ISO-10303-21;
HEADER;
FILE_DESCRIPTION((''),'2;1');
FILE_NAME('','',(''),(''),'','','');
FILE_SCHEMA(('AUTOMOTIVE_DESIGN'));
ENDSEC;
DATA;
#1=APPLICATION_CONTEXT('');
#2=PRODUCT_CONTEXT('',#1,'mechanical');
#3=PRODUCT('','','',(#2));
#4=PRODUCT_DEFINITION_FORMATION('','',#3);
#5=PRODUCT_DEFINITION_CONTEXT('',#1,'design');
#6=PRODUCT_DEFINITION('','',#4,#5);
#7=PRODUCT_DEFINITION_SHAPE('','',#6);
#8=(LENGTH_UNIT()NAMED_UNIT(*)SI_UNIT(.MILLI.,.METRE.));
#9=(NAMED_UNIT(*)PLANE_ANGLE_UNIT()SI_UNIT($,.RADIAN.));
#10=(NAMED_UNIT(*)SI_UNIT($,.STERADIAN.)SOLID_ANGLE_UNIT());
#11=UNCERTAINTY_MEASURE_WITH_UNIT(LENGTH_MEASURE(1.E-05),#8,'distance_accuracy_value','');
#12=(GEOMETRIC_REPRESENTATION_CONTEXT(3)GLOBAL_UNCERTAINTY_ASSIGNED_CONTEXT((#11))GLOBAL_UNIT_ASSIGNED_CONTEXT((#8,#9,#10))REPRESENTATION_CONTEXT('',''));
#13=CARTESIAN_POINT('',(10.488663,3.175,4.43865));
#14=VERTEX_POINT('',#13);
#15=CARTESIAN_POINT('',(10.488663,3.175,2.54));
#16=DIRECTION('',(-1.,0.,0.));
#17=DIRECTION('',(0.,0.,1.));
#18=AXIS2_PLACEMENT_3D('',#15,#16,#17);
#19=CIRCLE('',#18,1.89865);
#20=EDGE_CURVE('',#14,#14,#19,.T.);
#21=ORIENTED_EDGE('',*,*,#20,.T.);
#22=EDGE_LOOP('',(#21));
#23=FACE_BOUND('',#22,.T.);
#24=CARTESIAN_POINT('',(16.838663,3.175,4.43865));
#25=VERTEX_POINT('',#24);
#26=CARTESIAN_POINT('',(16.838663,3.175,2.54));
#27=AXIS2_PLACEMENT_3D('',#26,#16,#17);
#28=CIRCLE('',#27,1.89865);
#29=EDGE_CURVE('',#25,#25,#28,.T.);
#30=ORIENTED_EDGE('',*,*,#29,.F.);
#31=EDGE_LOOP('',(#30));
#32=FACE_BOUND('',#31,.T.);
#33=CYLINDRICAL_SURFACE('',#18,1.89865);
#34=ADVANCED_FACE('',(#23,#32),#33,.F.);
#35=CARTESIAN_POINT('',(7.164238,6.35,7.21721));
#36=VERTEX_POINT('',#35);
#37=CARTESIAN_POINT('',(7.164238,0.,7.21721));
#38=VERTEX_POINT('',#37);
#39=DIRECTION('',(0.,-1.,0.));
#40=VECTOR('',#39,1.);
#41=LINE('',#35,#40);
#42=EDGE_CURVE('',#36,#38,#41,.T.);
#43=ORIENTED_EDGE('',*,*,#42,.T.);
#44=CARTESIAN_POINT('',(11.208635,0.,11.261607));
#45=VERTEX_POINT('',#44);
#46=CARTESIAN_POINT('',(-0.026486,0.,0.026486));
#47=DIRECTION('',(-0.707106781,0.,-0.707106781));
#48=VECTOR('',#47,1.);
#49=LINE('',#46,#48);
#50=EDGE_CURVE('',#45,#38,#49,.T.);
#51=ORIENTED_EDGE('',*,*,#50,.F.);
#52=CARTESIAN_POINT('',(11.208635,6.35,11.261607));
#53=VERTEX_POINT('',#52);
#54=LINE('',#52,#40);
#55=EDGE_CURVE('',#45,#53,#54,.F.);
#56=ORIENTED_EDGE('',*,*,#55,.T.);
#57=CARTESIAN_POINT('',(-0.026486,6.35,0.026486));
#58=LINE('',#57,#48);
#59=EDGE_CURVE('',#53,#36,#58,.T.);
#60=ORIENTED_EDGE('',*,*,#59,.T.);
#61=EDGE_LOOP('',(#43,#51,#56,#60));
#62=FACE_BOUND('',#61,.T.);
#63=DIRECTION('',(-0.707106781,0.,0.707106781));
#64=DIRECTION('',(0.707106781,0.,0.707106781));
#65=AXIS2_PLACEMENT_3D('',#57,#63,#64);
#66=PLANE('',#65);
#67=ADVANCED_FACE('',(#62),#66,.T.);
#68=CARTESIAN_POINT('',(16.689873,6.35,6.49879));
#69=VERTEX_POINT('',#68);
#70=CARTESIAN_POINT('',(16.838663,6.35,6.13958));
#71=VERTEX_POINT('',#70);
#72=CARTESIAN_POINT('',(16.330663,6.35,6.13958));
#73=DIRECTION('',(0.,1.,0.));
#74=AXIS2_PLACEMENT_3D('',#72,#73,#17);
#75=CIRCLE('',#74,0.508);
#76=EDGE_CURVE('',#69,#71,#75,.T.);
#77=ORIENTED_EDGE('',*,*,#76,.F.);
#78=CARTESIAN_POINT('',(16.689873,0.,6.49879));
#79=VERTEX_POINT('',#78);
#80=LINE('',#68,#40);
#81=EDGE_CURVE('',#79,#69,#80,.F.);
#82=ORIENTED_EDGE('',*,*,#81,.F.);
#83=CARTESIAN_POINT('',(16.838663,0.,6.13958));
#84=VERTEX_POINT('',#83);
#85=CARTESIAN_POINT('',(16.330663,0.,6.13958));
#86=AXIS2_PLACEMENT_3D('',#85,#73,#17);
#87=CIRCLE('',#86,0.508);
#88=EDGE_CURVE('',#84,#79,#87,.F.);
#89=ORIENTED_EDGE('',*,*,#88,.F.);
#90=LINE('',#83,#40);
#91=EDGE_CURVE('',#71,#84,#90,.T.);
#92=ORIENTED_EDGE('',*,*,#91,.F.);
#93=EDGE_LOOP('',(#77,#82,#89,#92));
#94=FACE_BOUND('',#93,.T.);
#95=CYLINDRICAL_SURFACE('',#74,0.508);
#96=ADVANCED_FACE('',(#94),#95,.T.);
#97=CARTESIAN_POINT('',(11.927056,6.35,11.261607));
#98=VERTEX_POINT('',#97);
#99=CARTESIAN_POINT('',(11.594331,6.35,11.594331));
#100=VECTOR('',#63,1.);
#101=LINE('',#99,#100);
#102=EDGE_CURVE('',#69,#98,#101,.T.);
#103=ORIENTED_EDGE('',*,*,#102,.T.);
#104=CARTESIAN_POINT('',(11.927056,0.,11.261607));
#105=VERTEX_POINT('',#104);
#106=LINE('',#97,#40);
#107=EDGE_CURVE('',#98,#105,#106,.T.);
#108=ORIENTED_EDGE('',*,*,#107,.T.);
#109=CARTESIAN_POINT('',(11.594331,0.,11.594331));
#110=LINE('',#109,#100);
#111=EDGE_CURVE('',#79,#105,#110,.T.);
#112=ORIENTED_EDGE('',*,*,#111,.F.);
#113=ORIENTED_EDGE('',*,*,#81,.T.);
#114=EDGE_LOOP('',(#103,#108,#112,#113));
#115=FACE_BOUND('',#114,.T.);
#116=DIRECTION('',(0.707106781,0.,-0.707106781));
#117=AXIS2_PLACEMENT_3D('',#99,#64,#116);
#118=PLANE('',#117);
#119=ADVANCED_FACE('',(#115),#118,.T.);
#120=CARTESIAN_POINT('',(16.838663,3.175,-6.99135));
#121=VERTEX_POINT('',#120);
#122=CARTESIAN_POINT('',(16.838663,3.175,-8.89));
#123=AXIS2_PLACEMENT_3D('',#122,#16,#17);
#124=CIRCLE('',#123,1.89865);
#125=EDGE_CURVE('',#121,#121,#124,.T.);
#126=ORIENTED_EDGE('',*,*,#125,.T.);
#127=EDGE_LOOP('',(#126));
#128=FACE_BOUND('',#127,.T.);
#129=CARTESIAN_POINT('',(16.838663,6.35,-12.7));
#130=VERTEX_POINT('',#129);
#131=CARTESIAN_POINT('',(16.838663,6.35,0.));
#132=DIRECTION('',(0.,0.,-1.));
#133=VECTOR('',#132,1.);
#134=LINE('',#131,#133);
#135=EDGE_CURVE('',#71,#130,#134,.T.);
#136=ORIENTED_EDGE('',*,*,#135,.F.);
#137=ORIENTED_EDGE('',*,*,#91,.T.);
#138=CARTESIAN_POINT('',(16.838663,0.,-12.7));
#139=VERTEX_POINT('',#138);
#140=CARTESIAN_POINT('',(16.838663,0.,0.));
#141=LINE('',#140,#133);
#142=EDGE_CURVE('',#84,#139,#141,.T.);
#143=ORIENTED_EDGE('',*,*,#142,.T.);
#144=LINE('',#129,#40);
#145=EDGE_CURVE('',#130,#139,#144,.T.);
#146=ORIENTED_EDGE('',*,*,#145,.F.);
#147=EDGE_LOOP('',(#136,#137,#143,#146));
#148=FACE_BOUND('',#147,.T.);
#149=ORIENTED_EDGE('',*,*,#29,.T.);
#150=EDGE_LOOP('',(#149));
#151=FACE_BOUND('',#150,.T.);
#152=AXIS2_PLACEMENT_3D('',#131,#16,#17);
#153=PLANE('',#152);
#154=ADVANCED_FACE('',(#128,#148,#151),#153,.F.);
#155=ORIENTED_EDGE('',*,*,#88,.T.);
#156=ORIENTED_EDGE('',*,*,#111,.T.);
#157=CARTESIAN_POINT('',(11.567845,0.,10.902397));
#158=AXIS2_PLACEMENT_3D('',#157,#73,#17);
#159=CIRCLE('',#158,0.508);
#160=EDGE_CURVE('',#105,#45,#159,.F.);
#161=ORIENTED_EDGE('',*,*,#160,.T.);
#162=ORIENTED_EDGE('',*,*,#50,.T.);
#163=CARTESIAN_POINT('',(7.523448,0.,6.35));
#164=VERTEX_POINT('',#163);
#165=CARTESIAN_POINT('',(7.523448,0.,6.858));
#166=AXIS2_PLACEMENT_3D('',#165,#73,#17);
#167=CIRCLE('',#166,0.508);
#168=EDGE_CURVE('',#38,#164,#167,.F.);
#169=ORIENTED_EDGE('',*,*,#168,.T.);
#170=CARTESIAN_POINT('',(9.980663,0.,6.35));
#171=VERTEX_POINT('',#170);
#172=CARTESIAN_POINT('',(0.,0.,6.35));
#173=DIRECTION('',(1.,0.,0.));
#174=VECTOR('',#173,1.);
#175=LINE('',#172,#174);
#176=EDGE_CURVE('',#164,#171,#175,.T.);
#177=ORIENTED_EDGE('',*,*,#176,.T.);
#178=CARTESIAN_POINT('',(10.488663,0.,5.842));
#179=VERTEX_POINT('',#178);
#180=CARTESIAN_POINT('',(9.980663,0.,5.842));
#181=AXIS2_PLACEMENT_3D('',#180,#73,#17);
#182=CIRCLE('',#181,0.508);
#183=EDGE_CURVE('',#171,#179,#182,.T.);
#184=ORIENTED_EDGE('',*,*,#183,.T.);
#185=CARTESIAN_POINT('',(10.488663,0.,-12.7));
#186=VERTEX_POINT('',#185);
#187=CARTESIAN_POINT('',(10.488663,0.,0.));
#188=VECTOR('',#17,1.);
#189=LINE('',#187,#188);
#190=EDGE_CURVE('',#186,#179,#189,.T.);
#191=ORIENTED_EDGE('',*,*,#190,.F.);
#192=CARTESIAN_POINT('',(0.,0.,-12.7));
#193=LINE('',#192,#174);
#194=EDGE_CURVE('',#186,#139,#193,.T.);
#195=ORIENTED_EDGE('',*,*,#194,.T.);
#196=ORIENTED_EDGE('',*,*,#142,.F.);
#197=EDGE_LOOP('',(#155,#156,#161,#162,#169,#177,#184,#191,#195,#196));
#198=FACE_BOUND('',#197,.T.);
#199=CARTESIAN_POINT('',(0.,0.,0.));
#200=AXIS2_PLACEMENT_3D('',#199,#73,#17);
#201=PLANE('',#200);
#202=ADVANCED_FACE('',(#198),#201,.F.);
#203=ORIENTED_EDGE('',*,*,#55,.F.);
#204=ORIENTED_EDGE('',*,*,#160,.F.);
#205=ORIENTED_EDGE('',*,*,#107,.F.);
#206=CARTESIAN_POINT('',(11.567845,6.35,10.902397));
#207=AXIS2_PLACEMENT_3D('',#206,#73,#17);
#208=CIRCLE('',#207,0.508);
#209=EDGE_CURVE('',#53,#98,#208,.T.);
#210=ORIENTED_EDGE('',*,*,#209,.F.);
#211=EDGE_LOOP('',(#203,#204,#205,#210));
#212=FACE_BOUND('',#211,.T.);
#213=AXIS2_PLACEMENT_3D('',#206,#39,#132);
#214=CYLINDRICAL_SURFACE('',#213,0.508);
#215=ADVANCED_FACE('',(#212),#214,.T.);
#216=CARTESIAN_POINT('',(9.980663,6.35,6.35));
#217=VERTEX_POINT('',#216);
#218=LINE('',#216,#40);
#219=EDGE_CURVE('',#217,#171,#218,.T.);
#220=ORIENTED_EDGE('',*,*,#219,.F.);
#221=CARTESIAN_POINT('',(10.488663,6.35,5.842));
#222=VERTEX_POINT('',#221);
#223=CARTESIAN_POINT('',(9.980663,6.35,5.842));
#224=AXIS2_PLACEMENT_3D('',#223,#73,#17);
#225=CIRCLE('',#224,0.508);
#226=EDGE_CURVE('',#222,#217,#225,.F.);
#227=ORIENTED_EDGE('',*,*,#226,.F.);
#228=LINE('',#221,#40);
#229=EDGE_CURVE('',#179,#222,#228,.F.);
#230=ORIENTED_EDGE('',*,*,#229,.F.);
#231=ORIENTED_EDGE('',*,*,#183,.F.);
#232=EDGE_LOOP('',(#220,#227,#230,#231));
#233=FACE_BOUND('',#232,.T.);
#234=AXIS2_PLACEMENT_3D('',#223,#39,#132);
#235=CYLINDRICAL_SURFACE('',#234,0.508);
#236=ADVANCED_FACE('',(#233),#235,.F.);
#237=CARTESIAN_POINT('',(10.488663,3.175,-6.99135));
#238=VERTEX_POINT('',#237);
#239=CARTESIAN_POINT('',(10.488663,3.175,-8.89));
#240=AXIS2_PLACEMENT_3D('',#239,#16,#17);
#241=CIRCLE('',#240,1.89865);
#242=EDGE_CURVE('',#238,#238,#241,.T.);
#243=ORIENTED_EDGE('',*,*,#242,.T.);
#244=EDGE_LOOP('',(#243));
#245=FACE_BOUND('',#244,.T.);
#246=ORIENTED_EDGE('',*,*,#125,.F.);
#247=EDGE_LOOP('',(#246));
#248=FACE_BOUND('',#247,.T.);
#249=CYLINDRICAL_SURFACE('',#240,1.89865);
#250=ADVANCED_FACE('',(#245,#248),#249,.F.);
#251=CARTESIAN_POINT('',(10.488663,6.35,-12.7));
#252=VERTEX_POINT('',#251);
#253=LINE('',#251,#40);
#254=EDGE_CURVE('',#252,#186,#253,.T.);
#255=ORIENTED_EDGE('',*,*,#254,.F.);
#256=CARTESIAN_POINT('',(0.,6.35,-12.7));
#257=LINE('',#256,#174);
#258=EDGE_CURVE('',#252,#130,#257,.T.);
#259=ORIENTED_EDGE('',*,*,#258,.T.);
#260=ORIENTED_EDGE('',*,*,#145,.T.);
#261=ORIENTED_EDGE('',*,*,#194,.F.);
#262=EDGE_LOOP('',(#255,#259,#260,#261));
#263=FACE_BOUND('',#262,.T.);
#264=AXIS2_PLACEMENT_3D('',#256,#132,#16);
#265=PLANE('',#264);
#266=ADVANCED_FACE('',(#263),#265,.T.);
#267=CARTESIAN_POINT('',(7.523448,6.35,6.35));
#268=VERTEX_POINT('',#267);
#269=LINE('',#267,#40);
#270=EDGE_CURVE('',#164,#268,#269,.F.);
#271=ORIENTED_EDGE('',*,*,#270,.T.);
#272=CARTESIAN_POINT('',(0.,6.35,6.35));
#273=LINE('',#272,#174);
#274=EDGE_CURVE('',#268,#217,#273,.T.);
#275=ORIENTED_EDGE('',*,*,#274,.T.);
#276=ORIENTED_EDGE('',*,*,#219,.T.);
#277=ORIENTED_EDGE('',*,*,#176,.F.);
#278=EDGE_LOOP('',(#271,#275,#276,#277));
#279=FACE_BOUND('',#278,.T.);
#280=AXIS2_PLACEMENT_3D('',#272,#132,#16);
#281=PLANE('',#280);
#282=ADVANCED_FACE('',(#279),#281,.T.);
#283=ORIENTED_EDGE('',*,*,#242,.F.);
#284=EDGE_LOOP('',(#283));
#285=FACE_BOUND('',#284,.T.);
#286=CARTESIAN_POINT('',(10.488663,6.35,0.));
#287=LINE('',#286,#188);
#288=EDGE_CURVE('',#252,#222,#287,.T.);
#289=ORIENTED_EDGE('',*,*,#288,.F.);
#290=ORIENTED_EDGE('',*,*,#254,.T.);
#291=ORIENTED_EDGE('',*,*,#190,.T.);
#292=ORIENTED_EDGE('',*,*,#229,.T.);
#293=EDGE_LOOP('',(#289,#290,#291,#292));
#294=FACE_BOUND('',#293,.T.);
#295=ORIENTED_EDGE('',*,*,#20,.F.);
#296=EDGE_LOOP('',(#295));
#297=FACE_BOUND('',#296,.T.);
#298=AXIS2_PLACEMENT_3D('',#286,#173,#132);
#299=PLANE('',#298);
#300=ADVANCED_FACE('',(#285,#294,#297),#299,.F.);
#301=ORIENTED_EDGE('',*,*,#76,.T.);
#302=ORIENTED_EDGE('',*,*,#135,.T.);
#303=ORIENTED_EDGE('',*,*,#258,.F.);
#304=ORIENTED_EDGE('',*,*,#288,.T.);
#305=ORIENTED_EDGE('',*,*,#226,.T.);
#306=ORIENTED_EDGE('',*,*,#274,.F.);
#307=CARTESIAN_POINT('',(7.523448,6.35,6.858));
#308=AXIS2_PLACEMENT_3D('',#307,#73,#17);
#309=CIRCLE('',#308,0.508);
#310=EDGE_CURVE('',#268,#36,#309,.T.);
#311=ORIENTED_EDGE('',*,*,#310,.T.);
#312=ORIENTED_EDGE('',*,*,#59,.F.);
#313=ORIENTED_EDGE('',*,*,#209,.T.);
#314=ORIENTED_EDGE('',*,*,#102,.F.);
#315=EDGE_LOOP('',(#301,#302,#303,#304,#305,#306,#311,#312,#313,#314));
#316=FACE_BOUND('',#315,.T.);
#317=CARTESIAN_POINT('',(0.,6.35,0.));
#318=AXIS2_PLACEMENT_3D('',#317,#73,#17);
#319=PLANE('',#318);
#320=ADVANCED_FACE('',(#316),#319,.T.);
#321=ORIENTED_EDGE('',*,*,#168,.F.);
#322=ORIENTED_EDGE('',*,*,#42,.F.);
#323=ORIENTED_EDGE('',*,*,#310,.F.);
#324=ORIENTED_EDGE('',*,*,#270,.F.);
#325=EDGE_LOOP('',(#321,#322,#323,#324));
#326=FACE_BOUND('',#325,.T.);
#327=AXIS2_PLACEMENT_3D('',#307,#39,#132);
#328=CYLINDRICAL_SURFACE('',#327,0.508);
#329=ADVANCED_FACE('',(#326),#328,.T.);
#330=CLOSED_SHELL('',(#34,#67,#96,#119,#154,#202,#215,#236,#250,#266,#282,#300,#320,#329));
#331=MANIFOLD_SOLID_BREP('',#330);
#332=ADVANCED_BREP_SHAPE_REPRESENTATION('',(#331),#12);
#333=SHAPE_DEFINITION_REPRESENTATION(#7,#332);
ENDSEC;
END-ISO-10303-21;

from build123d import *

# Parameters (mm, degrees)
BOSS_EXTRUDE1_DEPTH       = 6.35
F_6_CLEARANCE_HOLE1_D     = 3.7973
F_6_CLEARANCE_HOLE1_DEPTH = 6.733175986
F_6_CLEARANCE_HOLE1_TIP   = 1.140824014
FILLET1_R                 = 0.508


with BuildPart() as part:
    # Sketch1 → Boss-Extrude1 (new body)
    with BuildSketch(Plane(origin=(0, 0, 0), x_dir=(1, 0, 0), z_dir=(0, 1, 0))):
        Polygon((11.567845271, -11.620817646), (16.838662917, -6.35), (16.838662917, 12.7), (10.488662917, 12.7), (10.488662917, -6.35), (6.297027625, -6.35), align=None)
    extrude(amount=BOSS_EXTRUDE1_DEPTH)

    # #6 Clearance Hole1
    with Locations(Plane.ZY.offset(-10.488662917)):
        with Locations((-8.89, 3.175), (2.54, 3.175)):
            Hole(F_6_CLEARANCE_HOLE1_D / 2, depth=F_6_CLEARANCE_HOLE1_DEPTH)
            with Locations((0, 0, -(F_6_CLEARANCE_HOLE1_DEPTH + F_6_CLEARANCE_HOLE1_TIP / 2))):  # 118° drill point
                Cone(0, F_6_CLEARANCE_HOLE1_D / 2, F_6_CLEARANCE_HOLE1_TIP, mode=Mode.SUBTRACT)

    # Fillet1
    fillet1_edges = [part.edges().sort_by_distance(p)[0] for p in [
        (6.297027625, 3.175, 6.35),
        (10.488662917, 3.175, 6.35),
        (16.838662917, 3.175, 6.35),
        (11.567845271, 3.175, 11.620817646),
    ]]
    fillet(fillet1_edges, radius=FILLET1_R)


solid = part.part
